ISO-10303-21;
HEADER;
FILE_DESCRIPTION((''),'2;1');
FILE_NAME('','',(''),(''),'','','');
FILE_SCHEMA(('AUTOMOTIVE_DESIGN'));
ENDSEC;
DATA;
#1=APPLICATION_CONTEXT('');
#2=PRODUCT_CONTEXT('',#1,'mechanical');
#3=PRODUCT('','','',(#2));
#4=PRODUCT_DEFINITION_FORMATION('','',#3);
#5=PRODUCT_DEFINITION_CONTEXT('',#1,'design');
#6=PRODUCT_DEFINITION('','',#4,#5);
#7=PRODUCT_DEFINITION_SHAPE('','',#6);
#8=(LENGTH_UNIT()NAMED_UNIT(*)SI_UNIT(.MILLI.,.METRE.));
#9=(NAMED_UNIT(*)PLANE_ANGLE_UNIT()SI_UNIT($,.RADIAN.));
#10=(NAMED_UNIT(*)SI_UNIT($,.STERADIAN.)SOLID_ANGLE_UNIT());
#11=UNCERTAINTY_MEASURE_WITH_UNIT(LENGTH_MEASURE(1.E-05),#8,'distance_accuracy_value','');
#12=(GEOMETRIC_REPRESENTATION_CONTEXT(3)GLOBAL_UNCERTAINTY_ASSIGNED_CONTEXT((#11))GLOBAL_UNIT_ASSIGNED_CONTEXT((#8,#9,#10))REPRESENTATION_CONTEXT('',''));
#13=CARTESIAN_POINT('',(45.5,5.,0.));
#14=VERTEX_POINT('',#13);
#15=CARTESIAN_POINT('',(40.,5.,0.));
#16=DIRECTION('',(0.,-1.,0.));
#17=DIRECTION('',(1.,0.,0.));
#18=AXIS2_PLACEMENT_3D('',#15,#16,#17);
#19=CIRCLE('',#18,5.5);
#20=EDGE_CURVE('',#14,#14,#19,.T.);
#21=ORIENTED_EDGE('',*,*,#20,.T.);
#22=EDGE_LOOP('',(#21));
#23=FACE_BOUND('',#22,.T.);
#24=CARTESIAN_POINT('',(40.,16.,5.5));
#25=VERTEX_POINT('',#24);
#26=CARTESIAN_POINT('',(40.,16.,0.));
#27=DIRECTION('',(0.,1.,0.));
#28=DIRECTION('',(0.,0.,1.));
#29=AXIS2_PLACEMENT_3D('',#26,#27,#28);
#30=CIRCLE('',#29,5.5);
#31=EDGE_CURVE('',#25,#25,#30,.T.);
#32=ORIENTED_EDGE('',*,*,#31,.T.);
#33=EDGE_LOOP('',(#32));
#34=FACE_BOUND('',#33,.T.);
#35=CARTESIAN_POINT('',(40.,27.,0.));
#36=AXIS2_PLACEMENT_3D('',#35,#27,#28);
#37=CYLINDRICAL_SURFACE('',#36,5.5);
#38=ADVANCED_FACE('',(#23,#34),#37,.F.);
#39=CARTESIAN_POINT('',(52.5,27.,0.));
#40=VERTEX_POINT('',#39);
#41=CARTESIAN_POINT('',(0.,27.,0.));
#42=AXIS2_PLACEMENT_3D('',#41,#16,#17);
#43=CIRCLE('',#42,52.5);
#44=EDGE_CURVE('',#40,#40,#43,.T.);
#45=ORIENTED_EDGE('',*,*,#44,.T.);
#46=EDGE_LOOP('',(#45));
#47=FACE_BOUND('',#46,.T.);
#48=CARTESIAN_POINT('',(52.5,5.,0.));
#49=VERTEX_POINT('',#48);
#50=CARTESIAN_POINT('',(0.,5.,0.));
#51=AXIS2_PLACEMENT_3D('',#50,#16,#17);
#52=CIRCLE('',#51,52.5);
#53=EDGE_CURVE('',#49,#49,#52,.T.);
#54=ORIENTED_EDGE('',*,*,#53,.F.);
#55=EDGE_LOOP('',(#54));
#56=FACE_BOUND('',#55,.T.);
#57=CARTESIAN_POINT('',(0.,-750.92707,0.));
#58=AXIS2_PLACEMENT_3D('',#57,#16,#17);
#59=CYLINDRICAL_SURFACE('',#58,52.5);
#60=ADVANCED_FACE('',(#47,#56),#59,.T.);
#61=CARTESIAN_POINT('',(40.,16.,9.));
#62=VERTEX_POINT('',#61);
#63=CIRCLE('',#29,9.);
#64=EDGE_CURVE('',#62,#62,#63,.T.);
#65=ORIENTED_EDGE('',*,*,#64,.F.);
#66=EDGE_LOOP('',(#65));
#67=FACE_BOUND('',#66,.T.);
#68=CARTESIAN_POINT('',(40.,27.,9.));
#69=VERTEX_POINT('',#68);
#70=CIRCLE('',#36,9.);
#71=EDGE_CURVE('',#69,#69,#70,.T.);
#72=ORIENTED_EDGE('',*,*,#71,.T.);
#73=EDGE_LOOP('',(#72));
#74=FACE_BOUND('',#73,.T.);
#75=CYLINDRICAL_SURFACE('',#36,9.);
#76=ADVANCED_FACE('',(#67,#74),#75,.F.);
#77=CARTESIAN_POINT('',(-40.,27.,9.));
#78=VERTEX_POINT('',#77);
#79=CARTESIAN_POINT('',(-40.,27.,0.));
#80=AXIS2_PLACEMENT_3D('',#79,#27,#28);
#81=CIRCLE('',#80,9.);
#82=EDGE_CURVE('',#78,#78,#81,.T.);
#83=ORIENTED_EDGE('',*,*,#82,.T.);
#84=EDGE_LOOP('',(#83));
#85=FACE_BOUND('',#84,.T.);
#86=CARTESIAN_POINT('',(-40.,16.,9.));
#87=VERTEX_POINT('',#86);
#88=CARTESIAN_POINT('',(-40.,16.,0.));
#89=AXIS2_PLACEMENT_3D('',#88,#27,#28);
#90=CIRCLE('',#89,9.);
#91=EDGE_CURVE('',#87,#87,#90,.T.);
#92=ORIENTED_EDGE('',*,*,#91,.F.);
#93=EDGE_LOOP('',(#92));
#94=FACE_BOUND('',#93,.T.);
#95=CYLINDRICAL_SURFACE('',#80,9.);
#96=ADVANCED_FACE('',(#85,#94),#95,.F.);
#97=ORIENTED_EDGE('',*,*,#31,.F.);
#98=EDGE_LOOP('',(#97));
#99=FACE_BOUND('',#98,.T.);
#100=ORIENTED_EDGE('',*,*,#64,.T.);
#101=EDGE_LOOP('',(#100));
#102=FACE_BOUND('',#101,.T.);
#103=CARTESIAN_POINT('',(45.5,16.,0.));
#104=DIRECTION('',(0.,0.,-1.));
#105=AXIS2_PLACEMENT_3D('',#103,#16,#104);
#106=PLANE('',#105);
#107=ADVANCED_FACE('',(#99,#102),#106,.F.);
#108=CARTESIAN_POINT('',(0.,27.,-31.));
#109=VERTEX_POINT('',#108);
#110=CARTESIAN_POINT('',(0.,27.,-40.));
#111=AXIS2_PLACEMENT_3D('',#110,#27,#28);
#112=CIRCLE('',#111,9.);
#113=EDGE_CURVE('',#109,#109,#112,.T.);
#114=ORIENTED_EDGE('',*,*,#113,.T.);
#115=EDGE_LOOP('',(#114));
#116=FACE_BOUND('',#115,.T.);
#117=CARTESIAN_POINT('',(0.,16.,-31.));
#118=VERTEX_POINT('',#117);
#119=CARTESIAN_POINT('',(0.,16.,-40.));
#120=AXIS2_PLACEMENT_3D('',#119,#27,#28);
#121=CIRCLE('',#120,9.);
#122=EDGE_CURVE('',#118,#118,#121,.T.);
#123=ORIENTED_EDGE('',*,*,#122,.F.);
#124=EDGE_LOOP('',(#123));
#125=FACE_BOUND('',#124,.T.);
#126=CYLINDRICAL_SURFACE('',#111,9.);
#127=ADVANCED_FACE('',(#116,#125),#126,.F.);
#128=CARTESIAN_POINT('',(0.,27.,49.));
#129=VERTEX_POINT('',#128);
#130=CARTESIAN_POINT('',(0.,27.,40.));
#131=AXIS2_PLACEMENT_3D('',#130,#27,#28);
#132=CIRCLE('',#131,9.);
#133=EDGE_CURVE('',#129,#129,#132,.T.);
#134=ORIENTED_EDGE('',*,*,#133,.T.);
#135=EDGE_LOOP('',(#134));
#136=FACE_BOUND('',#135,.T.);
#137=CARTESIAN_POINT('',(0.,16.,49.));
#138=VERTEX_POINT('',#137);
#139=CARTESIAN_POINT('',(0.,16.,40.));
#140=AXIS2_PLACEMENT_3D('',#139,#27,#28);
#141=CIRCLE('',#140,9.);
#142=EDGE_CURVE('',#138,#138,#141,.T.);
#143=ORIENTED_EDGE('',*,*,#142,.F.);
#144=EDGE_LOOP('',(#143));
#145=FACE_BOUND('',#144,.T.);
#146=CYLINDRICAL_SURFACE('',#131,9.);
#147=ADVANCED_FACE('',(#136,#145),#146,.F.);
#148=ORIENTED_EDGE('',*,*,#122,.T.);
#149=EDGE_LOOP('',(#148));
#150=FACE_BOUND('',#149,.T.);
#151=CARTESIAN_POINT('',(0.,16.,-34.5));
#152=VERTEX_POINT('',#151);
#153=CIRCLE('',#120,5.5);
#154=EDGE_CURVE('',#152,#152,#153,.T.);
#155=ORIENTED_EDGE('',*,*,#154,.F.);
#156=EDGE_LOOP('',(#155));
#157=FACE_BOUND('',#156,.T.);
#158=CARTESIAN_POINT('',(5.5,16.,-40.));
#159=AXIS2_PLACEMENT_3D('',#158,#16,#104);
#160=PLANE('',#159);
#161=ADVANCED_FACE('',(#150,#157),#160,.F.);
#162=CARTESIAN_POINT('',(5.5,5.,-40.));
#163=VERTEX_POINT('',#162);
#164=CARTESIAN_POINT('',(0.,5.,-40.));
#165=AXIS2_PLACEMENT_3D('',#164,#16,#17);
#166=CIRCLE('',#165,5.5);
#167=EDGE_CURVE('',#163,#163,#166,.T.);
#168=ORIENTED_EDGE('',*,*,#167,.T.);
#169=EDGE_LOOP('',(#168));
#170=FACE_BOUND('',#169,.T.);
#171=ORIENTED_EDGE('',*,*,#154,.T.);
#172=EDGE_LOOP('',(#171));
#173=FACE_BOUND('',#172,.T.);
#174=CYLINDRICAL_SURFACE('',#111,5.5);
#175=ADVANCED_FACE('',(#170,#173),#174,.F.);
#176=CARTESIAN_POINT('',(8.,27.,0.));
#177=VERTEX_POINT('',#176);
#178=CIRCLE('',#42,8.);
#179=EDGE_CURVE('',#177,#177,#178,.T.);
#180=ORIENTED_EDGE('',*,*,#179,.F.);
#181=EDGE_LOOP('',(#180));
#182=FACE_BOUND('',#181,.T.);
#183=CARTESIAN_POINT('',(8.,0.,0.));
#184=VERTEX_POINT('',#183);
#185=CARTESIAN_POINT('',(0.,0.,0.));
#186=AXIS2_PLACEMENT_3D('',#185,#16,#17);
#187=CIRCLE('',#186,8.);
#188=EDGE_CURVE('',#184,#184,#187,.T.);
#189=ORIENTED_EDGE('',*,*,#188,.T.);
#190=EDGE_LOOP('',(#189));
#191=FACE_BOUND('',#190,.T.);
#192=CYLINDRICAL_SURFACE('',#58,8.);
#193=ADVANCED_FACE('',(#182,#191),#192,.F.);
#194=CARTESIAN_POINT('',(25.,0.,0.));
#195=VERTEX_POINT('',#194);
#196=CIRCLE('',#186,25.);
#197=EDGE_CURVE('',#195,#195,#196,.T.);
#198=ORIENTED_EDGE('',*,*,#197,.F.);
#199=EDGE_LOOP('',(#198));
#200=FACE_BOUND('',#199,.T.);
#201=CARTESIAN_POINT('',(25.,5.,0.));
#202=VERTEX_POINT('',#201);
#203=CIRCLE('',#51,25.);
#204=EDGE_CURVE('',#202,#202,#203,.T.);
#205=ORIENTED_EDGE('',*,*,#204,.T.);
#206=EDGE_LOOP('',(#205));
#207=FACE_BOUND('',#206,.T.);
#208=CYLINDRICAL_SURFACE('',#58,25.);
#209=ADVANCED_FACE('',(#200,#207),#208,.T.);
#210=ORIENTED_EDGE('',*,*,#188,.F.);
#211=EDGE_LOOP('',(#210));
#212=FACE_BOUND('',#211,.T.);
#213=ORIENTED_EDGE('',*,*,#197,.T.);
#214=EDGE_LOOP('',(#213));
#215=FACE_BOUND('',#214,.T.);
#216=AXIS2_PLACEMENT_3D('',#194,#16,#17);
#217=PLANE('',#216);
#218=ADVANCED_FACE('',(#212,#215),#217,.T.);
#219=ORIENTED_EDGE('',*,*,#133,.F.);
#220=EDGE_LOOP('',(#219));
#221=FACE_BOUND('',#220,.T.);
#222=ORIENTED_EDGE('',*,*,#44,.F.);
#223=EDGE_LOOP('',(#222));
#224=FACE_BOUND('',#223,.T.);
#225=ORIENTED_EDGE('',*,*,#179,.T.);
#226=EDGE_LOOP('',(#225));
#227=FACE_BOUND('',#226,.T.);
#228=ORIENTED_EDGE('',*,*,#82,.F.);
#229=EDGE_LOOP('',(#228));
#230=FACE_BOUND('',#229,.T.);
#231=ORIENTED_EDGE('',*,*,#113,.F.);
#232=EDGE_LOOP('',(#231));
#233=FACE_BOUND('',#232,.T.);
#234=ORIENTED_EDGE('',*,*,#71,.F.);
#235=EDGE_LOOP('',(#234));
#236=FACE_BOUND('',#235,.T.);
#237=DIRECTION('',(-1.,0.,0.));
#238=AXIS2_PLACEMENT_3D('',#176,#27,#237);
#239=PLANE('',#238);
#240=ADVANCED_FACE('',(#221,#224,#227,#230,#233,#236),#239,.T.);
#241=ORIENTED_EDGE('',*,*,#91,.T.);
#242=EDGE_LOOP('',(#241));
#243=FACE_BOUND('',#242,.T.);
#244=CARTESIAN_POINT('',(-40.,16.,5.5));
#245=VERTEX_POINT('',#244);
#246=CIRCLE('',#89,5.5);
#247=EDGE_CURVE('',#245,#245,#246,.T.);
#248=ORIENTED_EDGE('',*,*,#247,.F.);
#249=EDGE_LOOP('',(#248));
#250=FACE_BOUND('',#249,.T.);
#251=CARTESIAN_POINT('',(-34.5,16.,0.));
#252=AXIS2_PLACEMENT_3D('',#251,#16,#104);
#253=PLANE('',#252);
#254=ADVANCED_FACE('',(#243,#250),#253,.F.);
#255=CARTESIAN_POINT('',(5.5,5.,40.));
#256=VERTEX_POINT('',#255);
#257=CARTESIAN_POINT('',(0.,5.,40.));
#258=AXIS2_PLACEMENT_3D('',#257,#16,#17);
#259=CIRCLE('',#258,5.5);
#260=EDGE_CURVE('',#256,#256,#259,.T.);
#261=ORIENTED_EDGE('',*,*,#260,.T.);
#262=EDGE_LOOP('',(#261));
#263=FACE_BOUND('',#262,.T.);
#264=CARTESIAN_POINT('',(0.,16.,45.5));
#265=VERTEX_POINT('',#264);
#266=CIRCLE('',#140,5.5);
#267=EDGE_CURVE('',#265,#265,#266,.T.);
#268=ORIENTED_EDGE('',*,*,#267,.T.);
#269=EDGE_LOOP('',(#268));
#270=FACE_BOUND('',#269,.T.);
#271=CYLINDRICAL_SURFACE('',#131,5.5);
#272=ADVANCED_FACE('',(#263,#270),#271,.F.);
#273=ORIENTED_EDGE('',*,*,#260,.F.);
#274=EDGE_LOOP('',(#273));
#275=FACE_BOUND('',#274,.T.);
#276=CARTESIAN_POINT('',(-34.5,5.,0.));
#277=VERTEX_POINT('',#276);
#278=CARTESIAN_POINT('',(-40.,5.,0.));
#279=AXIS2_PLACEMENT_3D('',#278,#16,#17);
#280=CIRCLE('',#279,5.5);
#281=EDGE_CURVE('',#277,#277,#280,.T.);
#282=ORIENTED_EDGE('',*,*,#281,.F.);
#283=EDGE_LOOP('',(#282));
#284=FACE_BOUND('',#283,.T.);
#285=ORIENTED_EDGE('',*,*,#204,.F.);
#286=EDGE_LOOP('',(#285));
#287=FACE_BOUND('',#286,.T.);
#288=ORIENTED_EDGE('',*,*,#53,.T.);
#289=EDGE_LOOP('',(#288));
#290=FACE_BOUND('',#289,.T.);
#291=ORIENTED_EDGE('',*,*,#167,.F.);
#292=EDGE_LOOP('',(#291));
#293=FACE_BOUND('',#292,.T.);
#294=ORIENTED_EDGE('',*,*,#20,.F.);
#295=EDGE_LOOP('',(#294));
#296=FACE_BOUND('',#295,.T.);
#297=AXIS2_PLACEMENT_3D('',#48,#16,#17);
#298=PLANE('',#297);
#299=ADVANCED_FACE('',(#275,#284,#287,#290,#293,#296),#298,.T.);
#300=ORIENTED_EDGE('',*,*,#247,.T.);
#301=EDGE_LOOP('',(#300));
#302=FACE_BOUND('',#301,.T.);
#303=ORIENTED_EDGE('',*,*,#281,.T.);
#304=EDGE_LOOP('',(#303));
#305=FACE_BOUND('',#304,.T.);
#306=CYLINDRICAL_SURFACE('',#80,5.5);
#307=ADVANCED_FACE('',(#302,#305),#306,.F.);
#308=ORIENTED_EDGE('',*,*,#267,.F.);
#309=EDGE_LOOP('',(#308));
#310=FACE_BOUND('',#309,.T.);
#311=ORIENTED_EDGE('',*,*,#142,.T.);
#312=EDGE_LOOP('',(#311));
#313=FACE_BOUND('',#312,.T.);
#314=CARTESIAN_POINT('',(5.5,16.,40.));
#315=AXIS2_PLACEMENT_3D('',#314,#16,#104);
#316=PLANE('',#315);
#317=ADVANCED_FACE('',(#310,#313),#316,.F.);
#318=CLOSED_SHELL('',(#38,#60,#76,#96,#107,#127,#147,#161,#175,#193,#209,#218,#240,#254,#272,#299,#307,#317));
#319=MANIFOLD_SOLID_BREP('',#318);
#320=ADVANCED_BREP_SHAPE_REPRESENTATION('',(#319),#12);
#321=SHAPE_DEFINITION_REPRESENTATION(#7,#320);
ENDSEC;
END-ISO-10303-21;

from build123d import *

# Parameters (mm, degrees)
CHAMBRAGE_POUR_VIS_T_TE_CYLINDRIQUE_D           = 11
CHAMBRAGE_POUR_VIS_T_TE_CYLINDRIQUE_CBORE_D     = 18
CHAMBRAGE_POUR_VIS_T_TE_CYLINDRIQUE_CBORE_DEPTH = 11
R_P_TITION_CIRCULAIRE1_COUNT                    = 4


with BuildPart() as part:
    # Esquisse1 → Révolution1 (revolve)
    with BuildSketch(Plane.XY):
        Polygon((8, 0), (8, 27), (52.5, 27), (52.5, 5), (25, 5), (25, 0), align=None)
    revolve(axis=Axis((0, -750.927070457, 0), (0, 1, 0)))

    # Chambrage pour vis à tête cylindrique à 6 pans creux (ou vis CHC) M101 (through all)
    with Locations(Plane(origin=(0, 27, 0), x_dir=(1, 0, 0), z_dir=(0, 1, 0))):
        with Locations((-40, 0)):
            chambrage_pour_vis_t_te_cylindrique = CounterBoreHole(CHAMBRAGE_POUR_VIS_T_TE_CYLINDRIQUE_D / 2, CHAMBRAGE_POUR_VIS_T_TE_CYLINDRIQUE_CBORE_D / 2, CHAMBRAGE_POUR_VIS_T_TE_CYLINDRIQUE_CBORE_DEPTH)

    # Répétition circulaire1: Chambrage pour vis à tête cylindrique à 6 pans creux (ou vis CHC) M101 ×4 about axis
    r_p_tition_circulaire1_axis = Axis((0, 0, 0), (0, 1, 0))
    for i in range(1, R_P_TITION_CIRCULAIRE1_COUNT):
        add(chambrage_pour_vis_t_te_cylindrique.rotate(r_p_tition_circulaire1_axis, i * 360 / R_P_TITION_CIRCULAIRE1_COUNT), mode=Mode.SUBTRACT)


solid = part.part
